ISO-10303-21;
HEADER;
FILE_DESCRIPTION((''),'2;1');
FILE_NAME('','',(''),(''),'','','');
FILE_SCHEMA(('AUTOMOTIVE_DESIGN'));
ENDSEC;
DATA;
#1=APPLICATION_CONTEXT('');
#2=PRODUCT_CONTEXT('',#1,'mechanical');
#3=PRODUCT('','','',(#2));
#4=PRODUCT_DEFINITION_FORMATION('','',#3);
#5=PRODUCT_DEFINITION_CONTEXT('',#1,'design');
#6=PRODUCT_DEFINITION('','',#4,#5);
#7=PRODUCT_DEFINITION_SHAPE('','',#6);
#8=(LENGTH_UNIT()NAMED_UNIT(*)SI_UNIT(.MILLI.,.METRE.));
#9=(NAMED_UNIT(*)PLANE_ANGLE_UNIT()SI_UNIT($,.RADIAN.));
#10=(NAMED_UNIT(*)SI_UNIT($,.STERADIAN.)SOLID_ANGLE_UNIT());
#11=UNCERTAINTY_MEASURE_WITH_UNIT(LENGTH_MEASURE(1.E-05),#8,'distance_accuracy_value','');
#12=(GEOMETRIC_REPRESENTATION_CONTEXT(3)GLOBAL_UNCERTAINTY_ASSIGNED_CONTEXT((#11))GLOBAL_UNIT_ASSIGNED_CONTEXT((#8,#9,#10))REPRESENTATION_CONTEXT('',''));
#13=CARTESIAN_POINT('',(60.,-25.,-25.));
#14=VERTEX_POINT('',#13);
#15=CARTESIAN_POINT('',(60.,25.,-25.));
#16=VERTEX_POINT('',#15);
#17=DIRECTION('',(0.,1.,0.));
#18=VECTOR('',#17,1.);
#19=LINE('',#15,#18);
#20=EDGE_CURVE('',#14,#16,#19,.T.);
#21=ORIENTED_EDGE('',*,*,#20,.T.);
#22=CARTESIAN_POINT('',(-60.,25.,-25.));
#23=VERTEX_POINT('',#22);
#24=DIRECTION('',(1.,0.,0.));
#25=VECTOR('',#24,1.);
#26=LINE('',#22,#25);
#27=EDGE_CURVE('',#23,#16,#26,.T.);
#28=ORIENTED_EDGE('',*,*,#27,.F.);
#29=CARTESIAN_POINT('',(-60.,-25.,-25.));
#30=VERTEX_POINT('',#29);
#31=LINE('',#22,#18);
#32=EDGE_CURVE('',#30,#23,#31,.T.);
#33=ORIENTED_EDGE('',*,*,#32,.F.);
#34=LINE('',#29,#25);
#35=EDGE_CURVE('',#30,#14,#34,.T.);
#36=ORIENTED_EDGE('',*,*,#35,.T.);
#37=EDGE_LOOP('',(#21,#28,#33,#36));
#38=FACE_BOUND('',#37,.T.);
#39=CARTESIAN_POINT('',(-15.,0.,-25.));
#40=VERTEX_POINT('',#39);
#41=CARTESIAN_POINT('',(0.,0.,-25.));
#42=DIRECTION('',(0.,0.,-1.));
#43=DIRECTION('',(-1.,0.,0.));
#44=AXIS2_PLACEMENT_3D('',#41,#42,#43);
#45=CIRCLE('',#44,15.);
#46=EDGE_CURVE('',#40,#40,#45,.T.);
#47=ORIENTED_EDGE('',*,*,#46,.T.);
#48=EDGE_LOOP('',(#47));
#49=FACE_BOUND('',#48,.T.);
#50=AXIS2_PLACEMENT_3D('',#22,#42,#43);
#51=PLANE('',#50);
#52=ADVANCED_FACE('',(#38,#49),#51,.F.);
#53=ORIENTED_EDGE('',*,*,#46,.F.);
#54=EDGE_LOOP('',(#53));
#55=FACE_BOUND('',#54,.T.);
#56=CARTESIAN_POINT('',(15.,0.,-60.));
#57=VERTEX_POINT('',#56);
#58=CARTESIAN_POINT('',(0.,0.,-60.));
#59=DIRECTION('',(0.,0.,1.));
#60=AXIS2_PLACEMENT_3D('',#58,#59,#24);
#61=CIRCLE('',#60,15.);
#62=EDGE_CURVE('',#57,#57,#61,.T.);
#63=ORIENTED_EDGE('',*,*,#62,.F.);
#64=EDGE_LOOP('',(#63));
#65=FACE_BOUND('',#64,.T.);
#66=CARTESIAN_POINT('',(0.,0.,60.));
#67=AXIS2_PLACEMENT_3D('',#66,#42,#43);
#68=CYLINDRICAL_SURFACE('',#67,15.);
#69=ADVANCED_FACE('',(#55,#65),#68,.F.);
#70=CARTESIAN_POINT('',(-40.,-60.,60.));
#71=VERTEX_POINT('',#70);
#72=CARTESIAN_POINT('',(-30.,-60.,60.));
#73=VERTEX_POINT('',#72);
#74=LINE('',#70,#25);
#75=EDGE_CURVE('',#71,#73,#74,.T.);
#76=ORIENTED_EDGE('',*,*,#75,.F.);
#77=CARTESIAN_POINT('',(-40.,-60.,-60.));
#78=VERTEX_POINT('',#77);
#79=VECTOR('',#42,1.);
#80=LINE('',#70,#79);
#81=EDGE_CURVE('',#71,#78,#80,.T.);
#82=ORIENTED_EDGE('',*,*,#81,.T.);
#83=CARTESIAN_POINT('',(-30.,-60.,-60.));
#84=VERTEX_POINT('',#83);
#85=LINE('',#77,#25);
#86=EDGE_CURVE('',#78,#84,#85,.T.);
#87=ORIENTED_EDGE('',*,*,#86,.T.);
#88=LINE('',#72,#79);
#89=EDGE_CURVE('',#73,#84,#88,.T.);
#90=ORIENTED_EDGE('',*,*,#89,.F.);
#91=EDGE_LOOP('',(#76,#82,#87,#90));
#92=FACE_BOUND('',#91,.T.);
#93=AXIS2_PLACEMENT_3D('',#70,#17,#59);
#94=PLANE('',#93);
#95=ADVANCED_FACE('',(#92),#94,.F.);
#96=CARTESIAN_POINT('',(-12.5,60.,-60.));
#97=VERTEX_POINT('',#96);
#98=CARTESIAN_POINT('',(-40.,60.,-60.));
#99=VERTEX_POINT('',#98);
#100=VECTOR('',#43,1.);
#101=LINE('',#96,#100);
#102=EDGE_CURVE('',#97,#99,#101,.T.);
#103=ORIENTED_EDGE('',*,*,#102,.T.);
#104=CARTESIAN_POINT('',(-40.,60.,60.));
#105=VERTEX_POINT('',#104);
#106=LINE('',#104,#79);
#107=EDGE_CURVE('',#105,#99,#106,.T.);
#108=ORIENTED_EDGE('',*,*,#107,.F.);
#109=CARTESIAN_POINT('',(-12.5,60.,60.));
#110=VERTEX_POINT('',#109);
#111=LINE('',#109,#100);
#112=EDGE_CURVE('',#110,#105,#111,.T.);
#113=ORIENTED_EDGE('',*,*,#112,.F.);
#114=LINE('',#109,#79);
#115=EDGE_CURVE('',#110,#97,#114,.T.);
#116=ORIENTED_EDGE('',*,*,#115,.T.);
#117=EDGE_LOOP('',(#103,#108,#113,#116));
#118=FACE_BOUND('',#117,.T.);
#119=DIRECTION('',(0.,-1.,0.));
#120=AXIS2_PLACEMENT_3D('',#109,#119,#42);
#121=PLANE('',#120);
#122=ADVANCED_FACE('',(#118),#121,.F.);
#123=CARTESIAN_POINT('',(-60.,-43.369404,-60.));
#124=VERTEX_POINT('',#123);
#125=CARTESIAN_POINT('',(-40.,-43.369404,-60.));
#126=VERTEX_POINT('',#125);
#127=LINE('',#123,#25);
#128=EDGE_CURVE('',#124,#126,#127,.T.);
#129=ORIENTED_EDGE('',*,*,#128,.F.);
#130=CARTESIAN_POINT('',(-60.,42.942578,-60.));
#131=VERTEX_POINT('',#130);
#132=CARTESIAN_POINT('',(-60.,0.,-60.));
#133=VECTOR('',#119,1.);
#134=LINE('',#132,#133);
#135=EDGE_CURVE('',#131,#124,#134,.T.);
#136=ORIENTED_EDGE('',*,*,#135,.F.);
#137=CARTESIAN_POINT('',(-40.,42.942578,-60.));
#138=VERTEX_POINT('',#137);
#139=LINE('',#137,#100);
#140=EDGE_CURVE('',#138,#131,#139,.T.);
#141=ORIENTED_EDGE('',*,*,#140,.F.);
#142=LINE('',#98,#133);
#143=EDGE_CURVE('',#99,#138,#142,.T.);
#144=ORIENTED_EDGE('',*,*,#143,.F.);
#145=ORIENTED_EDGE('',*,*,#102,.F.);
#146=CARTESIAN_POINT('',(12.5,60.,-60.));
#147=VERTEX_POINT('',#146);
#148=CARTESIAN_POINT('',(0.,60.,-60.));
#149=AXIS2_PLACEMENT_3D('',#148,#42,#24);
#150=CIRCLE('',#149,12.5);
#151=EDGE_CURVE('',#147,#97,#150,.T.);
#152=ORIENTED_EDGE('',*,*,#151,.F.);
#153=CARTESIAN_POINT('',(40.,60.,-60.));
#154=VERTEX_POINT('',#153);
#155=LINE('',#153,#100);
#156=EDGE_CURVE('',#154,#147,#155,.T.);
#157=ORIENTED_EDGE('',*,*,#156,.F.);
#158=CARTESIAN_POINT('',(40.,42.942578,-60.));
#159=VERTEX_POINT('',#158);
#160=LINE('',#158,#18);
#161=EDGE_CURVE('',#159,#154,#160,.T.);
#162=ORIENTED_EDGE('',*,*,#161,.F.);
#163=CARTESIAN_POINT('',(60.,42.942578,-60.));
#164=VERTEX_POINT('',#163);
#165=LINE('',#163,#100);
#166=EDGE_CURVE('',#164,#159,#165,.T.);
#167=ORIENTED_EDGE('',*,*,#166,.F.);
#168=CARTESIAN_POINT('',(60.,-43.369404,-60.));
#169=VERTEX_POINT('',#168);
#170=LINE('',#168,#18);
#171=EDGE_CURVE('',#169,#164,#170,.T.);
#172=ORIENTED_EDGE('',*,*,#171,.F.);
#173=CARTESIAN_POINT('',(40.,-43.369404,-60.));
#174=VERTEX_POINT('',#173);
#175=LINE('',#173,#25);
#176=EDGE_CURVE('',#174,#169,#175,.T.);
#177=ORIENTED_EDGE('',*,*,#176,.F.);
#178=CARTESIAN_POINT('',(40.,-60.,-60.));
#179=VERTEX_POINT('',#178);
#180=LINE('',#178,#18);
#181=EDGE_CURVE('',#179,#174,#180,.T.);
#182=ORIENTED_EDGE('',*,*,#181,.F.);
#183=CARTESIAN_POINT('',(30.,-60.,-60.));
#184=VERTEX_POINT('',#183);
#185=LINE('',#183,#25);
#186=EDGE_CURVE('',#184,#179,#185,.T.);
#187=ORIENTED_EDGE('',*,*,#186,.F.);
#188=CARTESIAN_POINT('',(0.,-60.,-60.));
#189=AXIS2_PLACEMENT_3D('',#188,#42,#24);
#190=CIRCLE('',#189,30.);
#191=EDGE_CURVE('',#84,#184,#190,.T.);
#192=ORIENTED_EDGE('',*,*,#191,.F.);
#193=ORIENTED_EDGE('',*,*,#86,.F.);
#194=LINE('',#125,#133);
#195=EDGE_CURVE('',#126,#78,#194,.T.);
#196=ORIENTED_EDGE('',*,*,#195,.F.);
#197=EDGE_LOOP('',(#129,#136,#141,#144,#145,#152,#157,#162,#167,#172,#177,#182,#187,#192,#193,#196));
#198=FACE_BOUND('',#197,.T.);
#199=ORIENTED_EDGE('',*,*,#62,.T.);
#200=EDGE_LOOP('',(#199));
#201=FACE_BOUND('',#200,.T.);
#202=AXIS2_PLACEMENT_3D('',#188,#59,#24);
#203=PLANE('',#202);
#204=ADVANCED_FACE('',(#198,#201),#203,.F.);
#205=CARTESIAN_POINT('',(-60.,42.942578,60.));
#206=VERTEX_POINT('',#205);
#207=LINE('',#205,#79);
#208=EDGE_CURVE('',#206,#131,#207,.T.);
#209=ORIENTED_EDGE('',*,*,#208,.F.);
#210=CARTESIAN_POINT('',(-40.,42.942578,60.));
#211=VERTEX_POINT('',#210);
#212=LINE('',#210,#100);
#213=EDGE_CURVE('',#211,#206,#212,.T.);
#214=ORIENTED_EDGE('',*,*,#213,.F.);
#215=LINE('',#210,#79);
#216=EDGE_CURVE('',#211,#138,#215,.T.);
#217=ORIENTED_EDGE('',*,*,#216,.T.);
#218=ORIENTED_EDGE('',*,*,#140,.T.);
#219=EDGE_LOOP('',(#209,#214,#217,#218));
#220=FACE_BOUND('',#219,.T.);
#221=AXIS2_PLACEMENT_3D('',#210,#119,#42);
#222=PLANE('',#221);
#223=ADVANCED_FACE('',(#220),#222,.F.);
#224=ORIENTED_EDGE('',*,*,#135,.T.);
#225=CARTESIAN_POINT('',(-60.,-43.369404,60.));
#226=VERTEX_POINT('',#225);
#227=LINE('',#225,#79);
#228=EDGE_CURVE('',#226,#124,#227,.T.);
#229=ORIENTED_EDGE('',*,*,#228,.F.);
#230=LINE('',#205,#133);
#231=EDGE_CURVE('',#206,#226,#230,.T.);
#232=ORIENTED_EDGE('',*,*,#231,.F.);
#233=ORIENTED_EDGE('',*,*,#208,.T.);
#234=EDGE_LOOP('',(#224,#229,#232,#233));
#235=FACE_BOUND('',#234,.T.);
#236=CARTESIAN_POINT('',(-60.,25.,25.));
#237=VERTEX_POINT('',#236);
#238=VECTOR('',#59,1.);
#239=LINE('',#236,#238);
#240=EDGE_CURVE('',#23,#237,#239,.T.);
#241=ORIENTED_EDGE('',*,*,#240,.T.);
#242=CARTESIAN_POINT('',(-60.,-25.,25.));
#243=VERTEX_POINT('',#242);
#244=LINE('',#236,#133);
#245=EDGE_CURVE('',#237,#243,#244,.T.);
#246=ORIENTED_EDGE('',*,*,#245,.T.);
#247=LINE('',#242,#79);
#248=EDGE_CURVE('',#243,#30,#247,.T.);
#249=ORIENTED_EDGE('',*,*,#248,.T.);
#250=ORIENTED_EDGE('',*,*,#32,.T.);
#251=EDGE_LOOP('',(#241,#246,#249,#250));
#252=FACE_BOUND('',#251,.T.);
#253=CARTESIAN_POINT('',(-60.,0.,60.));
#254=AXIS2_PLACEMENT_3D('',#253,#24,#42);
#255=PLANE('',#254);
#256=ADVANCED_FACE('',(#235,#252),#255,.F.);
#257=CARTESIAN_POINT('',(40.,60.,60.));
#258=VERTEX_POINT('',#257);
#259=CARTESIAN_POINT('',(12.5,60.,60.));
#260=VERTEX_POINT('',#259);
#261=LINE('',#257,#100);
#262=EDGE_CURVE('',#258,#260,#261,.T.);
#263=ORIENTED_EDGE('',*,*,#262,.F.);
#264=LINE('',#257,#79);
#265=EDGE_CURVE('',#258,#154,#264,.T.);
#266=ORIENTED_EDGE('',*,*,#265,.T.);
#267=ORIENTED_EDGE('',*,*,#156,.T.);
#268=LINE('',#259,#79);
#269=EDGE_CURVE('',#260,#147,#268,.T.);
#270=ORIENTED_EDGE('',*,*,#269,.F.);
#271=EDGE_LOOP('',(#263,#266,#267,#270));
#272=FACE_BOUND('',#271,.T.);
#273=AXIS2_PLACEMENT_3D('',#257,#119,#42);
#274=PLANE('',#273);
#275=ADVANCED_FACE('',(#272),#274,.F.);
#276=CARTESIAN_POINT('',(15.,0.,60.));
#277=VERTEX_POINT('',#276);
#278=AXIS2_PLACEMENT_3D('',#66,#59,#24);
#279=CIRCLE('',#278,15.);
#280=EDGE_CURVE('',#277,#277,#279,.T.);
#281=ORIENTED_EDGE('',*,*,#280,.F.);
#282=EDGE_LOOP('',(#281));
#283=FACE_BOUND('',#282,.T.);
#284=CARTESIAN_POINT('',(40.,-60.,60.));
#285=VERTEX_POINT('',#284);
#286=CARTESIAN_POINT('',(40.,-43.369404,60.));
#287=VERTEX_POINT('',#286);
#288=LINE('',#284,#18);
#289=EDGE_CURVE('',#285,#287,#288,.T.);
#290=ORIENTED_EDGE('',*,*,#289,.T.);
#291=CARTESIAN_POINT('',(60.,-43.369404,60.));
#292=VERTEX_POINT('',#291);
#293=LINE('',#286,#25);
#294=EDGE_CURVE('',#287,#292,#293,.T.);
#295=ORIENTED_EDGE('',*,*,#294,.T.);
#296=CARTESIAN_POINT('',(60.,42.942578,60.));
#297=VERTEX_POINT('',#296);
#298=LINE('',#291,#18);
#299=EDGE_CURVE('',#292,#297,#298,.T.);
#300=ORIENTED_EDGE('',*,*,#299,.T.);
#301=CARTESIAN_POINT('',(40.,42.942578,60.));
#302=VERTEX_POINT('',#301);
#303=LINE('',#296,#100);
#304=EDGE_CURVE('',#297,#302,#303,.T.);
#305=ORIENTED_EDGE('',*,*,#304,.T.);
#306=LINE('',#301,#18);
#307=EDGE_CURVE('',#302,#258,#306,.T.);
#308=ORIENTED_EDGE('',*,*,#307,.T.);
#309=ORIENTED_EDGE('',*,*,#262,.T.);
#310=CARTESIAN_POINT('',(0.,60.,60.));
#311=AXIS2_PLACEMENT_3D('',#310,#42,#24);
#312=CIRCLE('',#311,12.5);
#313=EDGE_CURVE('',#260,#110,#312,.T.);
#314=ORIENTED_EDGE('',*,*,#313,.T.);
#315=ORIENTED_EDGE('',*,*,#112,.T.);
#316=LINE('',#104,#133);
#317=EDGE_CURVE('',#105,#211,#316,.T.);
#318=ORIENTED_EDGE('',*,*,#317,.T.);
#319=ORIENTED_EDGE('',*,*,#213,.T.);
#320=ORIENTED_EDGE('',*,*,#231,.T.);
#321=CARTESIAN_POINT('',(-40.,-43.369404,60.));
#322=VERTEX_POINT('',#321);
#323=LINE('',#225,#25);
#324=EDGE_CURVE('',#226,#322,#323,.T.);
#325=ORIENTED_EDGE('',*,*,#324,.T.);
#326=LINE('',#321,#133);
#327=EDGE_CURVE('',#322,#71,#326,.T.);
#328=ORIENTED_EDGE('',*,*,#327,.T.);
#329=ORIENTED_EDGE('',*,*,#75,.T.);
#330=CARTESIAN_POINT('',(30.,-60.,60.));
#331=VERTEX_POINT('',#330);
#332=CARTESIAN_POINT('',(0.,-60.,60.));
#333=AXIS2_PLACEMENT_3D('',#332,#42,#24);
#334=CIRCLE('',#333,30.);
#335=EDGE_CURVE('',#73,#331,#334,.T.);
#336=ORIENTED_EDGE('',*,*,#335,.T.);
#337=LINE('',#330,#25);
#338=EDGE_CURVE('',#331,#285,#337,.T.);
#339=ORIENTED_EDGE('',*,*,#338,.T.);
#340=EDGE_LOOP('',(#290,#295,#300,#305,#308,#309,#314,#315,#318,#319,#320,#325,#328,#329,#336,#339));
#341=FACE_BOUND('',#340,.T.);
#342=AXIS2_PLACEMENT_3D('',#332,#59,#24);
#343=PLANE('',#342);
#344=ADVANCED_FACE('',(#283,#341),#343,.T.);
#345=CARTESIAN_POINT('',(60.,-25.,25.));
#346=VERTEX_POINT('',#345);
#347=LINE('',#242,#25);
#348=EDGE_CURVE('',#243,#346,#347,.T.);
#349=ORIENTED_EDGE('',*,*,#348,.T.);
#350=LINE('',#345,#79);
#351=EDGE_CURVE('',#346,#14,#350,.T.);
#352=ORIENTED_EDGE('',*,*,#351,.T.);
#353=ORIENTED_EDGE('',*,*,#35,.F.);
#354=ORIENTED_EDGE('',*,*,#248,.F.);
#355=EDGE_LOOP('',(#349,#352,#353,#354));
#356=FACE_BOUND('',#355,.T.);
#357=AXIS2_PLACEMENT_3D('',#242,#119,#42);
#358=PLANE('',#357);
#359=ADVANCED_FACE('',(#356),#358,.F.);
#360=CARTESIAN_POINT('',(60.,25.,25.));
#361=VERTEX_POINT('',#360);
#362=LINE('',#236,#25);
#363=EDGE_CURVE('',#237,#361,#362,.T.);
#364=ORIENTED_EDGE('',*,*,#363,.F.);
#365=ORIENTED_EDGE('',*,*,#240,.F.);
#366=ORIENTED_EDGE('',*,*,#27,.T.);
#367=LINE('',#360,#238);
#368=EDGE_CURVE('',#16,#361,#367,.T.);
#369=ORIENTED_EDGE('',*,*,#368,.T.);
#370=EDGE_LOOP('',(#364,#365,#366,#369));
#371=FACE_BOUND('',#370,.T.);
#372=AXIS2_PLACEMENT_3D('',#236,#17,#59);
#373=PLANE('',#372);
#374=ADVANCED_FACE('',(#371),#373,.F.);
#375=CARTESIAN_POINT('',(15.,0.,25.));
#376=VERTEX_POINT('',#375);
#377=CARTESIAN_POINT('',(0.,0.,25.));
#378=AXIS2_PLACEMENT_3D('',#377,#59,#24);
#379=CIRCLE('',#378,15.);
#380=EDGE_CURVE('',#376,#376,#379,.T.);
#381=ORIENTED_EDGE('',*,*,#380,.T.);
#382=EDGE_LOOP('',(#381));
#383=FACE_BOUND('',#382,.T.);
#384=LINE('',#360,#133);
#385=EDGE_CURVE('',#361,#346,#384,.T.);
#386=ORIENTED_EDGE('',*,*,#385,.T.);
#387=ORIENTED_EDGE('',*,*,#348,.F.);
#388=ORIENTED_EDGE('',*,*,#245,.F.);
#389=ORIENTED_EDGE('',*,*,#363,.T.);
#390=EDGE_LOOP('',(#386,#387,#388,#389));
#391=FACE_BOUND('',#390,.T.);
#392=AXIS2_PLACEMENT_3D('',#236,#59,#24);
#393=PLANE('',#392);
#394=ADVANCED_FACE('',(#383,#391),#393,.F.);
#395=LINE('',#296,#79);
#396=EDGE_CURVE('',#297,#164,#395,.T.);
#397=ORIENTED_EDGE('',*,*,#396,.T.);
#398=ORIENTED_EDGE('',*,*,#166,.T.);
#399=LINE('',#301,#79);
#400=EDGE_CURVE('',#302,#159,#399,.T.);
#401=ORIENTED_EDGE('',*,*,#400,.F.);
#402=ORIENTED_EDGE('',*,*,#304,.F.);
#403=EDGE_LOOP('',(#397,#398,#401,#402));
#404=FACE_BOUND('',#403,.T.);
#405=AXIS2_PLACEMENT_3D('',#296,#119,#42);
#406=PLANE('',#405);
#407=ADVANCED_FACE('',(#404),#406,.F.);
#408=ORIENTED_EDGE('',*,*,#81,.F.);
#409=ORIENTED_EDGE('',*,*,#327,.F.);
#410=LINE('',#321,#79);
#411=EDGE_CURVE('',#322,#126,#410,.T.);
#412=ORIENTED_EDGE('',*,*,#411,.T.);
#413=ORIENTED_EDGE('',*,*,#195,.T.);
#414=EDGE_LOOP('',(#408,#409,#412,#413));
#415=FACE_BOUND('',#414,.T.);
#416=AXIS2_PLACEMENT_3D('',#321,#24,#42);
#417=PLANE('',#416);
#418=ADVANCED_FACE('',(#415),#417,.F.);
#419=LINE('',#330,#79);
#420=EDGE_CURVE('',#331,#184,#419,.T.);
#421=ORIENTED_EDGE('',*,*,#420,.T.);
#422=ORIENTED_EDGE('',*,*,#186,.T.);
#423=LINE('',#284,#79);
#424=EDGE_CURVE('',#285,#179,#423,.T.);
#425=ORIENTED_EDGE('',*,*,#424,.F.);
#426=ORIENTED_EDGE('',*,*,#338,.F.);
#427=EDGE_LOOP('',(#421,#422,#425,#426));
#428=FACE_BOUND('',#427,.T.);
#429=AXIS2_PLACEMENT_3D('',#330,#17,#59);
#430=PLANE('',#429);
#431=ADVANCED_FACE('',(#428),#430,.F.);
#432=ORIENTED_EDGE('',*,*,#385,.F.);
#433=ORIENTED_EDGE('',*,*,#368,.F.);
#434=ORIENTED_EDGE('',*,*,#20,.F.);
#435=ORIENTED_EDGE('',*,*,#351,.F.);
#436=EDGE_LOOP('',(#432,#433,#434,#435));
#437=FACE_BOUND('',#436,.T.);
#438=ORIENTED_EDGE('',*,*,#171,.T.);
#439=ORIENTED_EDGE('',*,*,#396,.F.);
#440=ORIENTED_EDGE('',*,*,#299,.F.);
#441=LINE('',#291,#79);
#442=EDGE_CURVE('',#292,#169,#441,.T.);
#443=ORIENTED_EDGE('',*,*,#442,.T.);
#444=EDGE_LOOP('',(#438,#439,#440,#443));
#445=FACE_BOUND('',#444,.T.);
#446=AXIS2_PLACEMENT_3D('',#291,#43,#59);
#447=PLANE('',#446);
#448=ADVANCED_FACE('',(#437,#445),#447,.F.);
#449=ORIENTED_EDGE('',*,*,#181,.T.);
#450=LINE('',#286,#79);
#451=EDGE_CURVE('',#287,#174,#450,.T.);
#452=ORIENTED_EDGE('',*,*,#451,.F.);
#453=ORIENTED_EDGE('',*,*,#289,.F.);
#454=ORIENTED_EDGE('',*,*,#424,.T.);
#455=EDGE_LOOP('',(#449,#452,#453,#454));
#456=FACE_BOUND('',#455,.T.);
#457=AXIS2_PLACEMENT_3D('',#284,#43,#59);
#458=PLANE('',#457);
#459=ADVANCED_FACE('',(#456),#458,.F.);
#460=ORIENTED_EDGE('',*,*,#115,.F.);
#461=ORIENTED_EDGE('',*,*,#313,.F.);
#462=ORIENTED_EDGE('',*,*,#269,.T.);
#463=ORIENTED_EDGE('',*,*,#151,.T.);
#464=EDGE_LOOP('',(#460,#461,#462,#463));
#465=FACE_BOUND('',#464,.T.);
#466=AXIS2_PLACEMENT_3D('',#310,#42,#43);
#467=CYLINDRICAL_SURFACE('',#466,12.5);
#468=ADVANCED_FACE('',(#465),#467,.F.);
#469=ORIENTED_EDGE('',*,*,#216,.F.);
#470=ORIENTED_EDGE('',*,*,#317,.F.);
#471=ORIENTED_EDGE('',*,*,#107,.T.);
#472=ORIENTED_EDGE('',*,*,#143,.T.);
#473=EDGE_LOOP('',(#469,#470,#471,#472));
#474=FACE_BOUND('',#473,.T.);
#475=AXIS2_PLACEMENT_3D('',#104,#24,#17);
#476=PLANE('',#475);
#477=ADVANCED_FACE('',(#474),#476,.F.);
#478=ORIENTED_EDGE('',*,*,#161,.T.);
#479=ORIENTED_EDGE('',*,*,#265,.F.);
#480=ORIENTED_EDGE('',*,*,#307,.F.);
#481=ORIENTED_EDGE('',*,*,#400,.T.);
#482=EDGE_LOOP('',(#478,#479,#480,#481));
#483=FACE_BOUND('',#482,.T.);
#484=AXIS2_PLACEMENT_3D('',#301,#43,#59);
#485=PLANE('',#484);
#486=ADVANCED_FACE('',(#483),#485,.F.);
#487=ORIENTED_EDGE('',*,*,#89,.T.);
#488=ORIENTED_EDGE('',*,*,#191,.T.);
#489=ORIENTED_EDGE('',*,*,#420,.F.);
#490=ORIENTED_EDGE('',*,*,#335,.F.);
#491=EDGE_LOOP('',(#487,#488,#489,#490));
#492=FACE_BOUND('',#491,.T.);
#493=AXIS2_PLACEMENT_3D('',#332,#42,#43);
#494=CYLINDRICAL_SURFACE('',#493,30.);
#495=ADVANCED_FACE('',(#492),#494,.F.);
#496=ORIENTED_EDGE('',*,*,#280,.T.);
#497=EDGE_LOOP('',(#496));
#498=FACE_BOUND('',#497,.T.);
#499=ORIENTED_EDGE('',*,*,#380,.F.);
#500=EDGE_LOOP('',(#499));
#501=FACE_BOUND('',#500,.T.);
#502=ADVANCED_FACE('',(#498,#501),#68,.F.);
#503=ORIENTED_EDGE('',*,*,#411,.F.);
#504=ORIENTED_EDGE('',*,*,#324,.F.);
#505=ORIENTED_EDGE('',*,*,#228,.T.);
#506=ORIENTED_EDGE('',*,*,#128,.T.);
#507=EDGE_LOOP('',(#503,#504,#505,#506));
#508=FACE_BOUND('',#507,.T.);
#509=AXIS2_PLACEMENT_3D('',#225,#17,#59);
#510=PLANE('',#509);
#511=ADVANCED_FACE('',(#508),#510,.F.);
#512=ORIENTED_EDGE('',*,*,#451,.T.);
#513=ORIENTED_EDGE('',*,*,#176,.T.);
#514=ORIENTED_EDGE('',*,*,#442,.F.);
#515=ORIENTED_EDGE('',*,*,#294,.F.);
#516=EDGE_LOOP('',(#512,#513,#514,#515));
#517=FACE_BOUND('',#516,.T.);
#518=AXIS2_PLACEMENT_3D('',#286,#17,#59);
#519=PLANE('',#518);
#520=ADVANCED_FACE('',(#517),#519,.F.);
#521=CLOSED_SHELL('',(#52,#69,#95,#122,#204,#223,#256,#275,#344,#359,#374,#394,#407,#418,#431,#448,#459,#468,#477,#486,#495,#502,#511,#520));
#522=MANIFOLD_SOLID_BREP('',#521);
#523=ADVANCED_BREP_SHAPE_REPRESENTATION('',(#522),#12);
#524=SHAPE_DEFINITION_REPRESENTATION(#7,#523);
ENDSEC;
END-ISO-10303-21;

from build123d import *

# Parameters (mm, degrees)
SKETCH1_R           = 15
BOSS_EXTRUDE1_DEPTH = 60
SKETCH2_W           = 50
SKETCH2_H           = 50
CUT_EXTRUDE1_DEPTH  = 120


with BuildPart() as part:
    # Sketch1 → Boss-Extrude1 (new body, symmetric)
    with BuildSketch(Plane.XY):
        with BuildLine():
            Line((30, -60), (40, -60))
            Line((40, -60), (40, -43.369403571))
            Line((40, -43.369403571), (60, -43.369403571))
            Line((60, -43.369403571), (60, 42.942577675))
            Line((60, 42.942577675), (40, 42.942577675))
            Line((40, 42.942577675), (40, 60))
            Line((40, 60), (12.5, 60))
            ThreePointArc((12.5, 60), (0, 47.5), (-12.5, 60))
            Line((-12.5, 60), (-40, 60))
            Line((-40, 60), (-40, 42.942577675))
            Line((-40, 42.942577675), (-60, 42.942577675))
            Line((-60, 42.942577675), (-60, 0))
            Line((-60, 0), (-60, -43.369403571))
            Line((-60, -43.369403571), (-40, -43.369403571))
            Line((-40, -43.369403571), (-40, -60))
            Line((-40, -60), (-30, -60))
            ThreePointArc((-30, -60), (0, -30), (30, -60))
        make_face()
        Circle(SKETCH1_R, mode=Mode.SUBTRACT)
    extrude(amount=BOSS_EXTRUDE1_DEPTH, both=True)

    # Sketch2 → Cut-Extrude1 (cut)
    with BuildSketch(Plane(origin=(60, 0, 0), x_dir=(0, 0, -1), z_dir=(1, 0, 0))):
        Rectangle(SKETCH2_W, SKETCH2_H)
    extrude(amount=-CUT_EXTRUDE1_DEPTH, mode=Mode.SUBTRACT)


solid = part.part
